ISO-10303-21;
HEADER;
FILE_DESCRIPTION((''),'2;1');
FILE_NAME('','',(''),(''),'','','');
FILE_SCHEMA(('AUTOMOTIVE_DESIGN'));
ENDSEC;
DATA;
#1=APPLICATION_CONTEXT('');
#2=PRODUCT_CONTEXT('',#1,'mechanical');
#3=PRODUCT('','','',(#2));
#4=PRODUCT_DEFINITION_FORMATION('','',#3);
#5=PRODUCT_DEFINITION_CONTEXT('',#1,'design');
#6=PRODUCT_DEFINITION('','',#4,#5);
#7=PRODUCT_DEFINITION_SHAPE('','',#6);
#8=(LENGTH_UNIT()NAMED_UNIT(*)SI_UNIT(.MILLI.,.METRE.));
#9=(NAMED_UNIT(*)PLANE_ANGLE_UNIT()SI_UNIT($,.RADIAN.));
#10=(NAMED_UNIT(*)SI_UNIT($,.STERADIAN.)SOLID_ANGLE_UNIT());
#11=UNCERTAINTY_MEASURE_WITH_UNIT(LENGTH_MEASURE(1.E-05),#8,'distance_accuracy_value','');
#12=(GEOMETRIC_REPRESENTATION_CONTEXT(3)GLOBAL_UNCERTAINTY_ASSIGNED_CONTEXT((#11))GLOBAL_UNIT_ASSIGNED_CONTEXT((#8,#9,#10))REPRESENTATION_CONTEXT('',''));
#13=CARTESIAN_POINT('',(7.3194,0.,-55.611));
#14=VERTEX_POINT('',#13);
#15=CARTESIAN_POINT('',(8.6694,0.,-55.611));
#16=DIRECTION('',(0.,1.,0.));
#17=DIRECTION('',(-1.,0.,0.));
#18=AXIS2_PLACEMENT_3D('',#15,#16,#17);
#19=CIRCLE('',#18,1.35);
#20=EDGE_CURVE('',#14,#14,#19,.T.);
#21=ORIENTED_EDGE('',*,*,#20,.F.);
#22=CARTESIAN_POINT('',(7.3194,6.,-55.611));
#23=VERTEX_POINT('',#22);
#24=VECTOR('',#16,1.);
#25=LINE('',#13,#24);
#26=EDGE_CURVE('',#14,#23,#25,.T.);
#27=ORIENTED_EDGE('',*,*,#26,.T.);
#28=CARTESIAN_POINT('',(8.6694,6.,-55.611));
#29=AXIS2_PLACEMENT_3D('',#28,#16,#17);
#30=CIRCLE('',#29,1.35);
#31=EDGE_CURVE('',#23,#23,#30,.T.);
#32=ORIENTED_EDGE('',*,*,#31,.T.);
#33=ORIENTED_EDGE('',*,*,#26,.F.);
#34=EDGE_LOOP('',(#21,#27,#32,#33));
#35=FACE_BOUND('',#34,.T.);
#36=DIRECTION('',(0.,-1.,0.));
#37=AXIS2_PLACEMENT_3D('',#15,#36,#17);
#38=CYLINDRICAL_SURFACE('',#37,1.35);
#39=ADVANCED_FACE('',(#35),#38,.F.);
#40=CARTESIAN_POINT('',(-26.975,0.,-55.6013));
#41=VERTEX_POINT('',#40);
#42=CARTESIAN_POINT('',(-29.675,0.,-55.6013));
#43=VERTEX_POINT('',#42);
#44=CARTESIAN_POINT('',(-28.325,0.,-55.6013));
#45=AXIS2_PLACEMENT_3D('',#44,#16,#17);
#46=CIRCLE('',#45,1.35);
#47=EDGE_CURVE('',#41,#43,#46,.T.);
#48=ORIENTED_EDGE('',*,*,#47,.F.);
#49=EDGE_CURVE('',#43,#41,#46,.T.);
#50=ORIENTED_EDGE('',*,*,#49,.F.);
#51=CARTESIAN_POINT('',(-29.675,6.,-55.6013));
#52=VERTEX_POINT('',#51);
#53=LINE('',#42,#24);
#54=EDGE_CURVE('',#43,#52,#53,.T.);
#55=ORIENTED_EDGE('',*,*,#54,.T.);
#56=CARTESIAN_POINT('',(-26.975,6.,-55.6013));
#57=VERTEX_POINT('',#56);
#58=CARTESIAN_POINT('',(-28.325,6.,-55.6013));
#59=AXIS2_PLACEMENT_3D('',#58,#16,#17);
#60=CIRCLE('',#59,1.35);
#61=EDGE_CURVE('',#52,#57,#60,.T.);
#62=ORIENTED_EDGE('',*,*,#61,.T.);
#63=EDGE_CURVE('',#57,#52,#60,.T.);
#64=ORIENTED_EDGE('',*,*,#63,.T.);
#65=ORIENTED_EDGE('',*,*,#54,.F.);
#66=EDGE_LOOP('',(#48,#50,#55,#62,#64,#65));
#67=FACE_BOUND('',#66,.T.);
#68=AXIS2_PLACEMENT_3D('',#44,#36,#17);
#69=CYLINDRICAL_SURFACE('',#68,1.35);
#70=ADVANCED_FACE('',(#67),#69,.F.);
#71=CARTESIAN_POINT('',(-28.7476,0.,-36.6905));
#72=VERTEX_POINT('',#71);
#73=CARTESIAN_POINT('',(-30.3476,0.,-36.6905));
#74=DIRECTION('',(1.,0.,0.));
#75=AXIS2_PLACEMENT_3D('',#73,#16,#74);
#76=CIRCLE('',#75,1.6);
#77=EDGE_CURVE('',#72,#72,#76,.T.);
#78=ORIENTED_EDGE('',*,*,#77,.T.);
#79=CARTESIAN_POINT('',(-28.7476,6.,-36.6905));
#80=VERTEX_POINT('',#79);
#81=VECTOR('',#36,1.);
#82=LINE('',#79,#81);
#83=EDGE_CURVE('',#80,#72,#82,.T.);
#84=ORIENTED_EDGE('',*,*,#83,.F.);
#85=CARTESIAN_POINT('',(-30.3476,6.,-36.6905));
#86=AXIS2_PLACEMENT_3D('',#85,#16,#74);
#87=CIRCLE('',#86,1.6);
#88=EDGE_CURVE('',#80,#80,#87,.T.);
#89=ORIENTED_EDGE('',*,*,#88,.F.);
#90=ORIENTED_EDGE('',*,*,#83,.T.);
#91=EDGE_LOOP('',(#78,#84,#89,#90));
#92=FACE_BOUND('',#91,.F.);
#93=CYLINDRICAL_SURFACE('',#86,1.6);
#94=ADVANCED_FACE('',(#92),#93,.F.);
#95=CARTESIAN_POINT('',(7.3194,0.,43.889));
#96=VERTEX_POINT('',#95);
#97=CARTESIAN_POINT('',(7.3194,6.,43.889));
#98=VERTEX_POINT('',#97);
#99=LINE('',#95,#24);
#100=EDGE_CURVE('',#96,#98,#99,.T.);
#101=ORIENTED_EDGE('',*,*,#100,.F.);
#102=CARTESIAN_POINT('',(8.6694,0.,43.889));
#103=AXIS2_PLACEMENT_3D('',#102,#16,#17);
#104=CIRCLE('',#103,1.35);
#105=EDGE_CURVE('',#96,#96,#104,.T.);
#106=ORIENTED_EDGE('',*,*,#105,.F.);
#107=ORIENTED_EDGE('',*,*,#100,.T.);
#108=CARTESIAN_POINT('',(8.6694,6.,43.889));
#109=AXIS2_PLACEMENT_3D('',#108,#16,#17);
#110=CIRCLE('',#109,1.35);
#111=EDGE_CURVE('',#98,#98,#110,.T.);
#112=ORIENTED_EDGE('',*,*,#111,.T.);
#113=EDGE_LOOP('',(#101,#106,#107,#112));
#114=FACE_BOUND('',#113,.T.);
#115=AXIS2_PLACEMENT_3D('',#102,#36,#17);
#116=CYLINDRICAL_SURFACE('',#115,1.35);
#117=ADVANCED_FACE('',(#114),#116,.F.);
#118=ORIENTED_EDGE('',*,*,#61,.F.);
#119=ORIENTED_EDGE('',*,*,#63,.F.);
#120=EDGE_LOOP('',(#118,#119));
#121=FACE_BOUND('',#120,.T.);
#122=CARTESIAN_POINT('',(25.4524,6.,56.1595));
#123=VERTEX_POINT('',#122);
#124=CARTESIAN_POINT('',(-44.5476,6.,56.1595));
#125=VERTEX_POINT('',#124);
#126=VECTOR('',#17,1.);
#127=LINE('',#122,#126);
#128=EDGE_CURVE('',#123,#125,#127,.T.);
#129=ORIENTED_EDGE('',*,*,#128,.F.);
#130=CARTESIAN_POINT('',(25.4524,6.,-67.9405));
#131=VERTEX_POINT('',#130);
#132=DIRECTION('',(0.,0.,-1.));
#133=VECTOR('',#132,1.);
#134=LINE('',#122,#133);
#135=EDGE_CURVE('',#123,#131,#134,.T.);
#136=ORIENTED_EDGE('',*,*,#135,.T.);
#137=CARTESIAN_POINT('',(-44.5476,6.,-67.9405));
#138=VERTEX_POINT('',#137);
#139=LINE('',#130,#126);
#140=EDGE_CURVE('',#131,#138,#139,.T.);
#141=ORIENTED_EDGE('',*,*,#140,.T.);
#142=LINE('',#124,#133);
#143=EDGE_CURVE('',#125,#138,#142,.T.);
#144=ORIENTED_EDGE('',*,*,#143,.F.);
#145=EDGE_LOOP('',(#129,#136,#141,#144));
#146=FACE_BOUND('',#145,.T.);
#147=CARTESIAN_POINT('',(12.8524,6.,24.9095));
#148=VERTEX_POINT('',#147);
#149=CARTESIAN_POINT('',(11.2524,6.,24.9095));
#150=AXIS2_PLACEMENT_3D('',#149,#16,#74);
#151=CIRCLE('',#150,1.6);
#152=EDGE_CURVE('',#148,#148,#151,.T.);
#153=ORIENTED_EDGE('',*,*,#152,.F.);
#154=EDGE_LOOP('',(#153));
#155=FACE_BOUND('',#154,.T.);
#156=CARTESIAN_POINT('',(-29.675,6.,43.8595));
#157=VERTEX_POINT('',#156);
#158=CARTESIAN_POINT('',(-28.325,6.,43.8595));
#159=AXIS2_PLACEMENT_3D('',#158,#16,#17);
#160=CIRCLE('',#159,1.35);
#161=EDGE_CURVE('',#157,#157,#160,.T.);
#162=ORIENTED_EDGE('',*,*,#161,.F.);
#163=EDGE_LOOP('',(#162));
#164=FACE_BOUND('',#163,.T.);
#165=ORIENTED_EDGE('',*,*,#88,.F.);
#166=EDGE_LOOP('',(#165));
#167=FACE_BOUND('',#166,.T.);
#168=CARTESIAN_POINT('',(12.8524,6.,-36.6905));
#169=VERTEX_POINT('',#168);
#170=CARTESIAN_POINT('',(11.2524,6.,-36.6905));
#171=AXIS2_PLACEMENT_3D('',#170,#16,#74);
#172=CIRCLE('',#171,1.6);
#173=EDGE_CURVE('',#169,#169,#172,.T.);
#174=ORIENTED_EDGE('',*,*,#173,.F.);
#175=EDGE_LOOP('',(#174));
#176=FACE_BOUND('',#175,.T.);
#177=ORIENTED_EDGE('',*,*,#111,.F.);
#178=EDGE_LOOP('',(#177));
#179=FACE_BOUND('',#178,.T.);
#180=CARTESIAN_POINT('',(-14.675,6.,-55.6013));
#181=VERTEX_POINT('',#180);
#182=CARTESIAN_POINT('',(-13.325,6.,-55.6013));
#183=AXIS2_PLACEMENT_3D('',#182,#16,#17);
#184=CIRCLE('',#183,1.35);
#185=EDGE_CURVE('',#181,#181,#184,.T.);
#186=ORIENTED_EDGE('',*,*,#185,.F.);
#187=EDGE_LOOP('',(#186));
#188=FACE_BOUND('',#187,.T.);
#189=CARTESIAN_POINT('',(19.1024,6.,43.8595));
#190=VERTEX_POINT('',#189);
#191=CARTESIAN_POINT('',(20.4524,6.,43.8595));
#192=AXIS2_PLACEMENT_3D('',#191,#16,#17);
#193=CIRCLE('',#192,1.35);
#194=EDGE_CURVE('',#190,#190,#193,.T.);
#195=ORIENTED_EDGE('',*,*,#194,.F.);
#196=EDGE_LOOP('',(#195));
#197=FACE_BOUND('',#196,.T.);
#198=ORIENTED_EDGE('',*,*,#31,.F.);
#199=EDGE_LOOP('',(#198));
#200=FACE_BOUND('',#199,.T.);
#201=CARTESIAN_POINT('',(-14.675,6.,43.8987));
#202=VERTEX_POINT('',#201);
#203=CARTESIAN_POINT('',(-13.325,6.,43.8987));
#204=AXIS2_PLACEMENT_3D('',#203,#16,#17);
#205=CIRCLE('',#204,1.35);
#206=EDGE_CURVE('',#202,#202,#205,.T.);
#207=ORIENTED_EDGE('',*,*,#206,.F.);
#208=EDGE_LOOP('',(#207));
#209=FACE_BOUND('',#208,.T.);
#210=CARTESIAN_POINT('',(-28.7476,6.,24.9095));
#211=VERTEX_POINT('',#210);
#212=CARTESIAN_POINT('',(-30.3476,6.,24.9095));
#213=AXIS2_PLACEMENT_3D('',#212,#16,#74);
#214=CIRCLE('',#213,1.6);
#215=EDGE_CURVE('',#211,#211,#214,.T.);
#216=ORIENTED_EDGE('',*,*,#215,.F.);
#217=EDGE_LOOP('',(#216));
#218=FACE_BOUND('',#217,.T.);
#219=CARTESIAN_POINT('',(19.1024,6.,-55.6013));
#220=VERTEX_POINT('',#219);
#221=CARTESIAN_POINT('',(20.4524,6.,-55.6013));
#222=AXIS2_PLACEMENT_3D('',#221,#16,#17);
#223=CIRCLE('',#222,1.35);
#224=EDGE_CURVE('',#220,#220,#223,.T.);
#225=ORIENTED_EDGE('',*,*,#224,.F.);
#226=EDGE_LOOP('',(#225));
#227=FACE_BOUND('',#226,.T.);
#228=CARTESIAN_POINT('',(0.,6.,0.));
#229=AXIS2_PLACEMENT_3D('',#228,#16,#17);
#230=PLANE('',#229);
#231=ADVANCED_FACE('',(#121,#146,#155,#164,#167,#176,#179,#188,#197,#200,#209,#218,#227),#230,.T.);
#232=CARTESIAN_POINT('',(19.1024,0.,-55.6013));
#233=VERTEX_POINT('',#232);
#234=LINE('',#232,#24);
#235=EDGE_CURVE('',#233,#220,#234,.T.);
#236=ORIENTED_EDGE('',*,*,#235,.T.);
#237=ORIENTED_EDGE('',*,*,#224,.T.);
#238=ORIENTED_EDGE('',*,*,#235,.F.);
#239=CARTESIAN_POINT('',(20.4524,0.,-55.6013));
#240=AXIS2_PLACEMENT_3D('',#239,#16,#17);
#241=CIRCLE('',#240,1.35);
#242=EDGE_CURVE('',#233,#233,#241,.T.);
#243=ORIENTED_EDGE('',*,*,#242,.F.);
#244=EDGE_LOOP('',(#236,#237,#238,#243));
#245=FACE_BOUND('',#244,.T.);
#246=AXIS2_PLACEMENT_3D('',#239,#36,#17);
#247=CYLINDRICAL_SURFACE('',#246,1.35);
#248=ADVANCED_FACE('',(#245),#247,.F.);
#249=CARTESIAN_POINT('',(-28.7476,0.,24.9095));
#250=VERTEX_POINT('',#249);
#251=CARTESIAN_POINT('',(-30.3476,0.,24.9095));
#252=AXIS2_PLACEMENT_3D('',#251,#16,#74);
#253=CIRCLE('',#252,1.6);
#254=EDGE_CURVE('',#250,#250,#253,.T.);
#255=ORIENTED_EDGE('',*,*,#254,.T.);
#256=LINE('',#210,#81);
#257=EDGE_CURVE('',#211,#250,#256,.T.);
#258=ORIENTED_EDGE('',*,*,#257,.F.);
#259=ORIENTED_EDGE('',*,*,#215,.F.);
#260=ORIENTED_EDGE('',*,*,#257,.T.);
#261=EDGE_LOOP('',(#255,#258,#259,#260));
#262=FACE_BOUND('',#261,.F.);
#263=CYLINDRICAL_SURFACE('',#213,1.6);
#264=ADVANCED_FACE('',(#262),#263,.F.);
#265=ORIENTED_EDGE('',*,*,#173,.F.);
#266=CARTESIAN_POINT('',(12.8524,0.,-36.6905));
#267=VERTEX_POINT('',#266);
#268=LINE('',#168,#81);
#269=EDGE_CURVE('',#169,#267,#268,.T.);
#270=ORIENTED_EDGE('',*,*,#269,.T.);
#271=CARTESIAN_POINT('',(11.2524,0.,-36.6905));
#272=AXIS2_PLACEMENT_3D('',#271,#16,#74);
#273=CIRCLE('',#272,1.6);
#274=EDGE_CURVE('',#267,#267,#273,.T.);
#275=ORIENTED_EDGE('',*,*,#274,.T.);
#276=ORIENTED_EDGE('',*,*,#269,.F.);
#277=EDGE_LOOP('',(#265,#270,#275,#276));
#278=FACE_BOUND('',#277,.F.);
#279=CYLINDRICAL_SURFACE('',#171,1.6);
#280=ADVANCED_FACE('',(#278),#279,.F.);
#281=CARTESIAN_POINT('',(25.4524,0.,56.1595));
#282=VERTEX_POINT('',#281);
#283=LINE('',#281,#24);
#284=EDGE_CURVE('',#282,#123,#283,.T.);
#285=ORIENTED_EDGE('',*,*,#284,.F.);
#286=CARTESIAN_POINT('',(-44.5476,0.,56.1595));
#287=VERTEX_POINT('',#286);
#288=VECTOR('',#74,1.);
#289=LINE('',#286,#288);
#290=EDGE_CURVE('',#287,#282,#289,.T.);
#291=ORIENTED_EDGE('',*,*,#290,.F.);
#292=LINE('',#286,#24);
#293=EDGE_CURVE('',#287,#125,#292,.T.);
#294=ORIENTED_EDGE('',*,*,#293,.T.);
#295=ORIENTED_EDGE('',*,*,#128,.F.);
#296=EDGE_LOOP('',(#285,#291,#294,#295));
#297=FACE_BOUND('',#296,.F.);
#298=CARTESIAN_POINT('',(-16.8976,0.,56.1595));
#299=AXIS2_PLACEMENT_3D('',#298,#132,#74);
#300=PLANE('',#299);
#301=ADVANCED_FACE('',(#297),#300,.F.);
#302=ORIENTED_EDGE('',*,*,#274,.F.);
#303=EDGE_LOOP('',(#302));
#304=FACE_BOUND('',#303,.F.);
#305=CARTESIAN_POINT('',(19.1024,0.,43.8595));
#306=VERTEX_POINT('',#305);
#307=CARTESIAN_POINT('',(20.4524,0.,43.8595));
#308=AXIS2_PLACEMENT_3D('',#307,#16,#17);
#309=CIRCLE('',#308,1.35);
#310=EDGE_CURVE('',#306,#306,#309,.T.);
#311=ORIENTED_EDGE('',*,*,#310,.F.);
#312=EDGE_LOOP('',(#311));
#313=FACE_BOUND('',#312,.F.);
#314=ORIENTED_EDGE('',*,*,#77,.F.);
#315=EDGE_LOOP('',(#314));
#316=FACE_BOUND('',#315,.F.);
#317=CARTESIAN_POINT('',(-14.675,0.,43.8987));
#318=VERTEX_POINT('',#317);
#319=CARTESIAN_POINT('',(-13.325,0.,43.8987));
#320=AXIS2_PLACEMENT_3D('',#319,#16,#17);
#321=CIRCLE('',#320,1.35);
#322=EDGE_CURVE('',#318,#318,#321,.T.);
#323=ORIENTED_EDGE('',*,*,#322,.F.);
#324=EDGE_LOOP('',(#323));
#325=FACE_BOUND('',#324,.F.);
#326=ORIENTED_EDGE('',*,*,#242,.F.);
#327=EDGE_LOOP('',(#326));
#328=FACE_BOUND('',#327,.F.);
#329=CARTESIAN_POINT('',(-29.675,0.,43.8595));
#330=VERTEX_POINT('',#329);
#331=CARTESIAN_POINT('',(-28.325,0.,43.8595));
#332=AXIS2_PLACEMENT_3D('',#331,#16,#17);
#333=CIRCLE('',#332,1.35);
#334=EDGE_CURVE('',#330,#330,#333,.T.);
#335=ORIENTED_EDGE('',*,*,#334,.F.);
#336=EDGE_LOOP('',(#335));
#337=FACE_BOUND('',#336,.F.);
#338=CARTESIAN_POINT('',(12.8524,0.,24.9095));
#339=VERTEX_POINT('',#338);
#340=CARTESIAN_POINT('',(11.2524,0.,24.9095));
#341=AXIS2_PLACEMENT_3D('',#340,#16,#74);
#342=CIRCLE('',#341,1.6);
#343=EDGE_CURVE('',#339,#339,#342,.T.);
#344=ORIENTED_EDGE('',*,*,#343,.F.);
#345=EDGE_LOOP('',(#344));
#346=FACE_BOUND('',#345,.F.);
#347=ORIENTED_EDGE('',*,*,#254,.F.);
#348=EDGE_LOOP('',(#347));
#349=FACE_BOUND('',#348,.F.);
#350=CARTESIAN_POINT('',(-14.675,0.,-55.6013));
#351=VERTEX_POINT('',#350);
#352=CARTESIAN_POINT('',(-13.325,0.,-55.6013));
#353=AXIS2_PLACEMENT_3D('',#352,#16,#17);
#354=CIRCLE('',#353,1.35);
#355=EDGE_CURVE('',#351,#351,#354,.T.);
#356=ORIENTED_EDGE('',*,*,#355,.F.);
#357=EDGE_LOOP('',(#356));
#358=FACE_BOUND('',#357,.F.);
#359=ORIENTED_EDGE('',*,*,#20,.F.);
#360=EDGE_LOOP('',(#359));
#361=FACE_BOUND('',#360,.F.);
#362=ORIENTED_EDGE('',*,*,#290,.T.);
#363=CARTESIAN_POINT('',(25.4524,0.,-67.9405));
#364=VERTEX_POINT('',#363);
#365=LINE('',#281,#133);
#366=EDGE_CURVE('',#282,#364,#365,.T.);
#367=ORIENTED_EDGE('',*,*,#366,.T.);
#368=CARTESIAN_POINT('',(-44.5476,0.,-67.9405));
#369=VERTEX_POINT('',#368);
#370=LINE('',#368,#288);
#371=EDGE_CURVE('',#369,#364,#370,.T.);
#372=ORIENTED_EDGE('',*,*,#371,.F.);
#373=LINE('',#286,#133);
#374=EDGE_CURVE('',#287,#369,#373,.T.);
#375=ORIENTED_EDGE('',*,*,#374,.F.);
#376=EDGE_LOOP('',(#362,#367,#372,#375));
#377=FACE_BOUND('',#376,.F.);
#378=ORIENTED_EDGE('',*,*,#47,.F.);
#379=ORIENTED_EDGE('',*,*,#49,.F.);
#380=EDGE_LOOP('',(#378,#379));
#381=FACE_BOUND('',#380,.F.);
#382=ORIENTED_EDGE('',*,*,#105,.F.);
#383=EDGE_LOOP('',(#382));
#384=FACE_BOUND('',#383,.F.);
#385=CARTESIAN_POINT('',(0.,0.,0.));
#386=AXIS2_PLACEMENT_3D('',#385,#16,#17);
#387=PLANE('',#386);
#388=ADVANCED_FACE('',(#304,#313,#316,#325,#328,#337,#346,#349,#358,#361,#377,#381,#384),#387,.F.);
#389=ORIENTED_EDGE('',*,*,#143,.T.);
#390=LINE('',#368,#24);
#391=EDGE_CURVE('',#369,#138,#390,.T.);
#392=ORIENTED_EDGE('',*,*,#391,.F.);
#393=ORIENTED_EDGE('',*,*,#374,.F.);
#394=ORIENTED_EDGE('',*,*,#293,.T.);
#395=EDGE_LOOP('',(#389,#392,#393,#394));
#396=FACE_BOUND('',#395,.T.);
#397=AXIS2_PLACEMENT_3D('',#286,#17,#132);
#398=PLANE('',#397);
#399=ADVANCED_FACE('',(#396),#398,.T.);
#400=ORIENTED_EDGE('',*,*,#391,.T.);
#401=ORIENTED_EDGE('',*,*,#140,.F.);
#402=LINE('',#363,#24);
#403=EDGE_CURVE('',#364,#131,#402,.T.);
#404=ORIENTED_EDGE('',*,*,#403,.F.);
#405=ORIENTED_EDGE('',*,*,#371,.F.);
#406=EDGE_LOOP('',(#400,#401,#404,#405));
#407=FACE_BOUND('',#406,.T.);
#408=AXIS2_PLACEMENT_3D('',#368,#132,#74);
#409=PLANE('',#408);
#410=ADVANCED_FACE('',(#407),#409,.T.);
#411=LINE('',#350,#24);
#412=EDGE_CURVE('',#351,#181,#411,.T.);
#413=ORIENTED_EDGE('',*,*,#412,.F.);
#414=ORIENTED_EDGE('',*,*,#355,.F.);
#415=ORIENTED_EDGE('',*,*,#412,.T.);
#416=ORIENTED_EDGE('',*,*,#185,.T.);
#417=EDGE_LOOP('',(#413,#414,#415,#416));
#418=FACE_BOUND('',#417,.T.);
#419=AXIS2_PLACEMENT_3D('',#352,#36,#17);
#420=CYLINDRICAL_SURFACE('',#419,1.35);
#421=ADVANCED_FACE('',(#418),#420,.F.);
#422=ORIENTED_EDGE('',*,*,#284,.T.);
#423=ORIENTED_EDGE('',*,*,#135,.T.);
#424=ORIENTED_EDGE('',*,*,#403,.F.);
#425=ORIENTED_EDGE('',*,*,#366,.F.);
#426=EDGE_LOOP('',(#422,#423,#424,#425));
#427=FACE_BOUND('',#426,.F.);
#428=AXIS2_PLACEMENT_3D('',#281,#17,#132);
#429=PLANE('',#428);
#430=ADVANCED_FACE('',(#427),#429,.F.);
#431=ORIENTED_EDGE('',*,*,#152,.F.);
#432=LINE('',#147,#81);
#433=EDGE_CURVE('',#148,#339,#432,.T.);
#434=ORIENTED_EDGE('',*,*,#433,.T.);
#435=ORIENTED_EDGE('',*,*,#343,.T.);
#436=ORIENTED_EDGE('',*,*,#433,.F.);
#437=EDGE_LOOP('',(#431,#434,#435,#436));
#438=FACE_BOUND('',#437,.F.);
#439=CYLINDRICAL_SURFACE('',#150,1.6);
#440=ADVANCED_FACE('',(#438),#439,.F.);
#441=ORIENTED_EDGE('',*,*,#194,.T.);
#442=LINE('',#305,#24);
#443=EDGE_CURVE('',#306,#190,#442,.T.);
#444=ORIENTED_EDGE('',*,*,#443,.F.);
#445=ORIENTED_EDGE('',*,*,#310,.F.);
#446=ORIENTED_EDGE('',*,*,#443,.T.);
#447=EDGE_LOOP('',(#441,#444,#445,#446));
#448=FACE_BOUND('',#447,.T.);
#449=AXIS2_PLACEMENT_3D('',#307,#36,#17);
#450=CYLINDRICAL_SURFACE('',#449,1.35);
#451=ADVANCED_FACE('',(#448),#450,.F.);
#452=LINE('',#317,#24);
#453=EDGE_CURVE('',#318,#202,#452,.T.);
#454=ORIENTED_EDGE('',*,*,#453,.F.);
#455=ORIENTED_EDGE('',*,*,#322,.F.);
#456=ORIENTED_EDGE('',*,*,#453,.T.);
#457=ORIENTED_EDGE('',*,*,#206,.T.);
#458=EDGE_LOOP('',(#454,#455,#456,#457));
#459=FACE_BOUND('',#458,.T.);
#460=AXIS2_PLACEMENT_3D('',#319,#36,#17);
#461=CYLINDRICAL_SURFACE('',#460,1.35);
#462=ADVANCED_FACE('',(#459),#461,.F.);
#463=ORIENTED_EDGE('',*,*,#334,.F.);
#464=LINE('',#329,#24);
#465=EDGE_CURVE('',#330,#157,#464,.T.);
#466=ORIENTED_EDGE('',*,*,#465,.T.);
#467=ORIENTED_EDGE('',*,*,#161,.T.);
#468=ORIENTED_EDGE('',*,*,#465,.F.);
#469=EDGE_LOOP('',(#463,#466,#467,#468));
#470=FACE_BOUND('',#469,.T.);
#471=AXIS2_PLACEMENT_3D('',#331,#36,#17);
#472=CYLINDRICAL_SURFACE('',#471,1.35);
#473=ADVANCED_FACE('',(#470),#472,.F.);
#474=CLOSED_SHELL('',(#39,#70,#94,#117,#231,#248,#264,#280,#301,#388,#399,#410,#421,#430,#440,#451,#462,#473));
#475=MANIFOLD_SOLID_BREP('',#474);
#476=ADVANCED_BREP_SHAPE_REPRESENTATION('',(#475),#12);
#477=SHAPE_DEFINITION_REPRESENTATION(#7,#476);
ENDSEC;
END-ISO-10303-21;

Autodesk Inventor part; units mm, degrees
ref_plane "YZ Plane" through (0, 0, 0) normal (1, 0, 0) x (0, 1, 0)
ref_plane "XZ Plane" through (0, 0, 0) normal (0, 1, 0) x (-1, 0, 0)
ref_plane "XY Plane" through (0, 0, 0) normal (0, 0, 1) x (1, 0, 0)
sketch "스케치1" plane through (0, 0, 0) normal (0, 1, 0) x (-1, 0, 0)
  circle A0 centre (-8.6694, 43.889) radius 1.35
  circle A1 centre (13.325, 43.8987) radius 1.35
  line L0 (16.8976, 56.1595) -> (-15.4524, 56.1595)
  line L1 (-15.4524, 56.1595) -> (-15.4524, 31.5595)
  line L2 (-15.4524, 31.5595) -> (16.8976, 31.5595)
  line L3 (16.8976, 31.5595) -> (16.8976, 56.1595)
  circle A2 centre (-8.6694, -55.611) radius 1.35
  circle A3 centre (13.325, -55.6013) radius 1.35
  line L4 (16.8976, -43.3405) -> (-15.4524, -43.3405)
  line L5 (-15.4524, -43.3405) -> (-15.4524, -67.9405)
  line L6 (-15.4524, -67.9405) -> (16.8976, -67.9405)
  line L7 (16.8976, -67.9405) -> (16.8976, -43.3405)
  line L8 (-15.4524, 56.1595) -> (44.5476, 56.1595)
  line L9 (44.5476, 56.1595) -> (44.5476, -67.9405)
  line L10 (44.5476, -67.9405) -> (-15.4524, -67.9405)
  line L11 (-15.4524, -67.9405) -> (-15.4524, 56.1595)
  line L12 (-15.4524, 56.1595) -> (-25.4524, 56.1595)
  line L13 (-25.4524, 56.1595) -> (-25.4524, -67.9405)
  line L14 (-25.4524, -67.9405) -> (-15.4524, -67.9405)
  line L15 (-15.4524, -67.9405) -> (-15.4524, 56.1595)
  line L16 (13.325, -55.6013) -> (28.325, -55.6013)
  circle A4 centre (28.325, -55.6013) radius 1.35
  circle A5 centre (28.325, 43.8595) radius 1.35
  circle A6 centre (-20.4524, -55.6013) radius 1.35
  circle A7 centre (-20.4524, 43.8595) radius 1.35
  point P0 (0, 0)
  point P1 (0.7226, 43.8595)
  point P2 (16.8976, -67.9405)
  dimension "d0" = 60
  dimension "d3" = 10
  dimension "d4" = 15
  dimension "d5" = 2.7
  dimension "d6" = 2.7
  dimension "d13" = 2.7
  dimension "d14" = 2.7
extrude "돌출1" add sketch "스케치1" along normal blind 6
sketch "스케치3" plane through (0, 6, 0) normal (0, 1, 0) x (1, 0, 0)
  line L0 (15.4524, 40.8905) -> (15.4524, -29.1095)
  line L1 (-34.5476, 40.8905) -> (15.4524, 40.8905)
  line L2 (-34.5476, -29.1095) -> (-34.5476, 40.8905)
  line L3 (15.4524, -29.1095) -> (-34.5476, -29.1095)
  line L4 (-44.5476, 67.9405) -> (-44.5476, -56.1595) projected
  line L5 (-44.5476, -56.1595) -> (25.4524, -56.1595) projected
  line L6 (25.4524, -56.1595) -> (25.4524, 67.9405) projected
  line L7 (25.4524, 67.9405) -> (-44.5476, 67.9405) projected
  circle A0 centre (-28.325, 55.6013) radius 1.35 projected
  circle A1 centre (-28.325, -43.8595) radius 1.35 projected
  circle A2 centre (8.6694, 55.611) radius 1.35 projected
  circle A3 centre (20.4524, -43.8595) radius 1.35 projected
  circle A4 centre (20.4524, 55.6013) radius 1.35 projected
  circle A5 centre (-13.325, 55.6013) radius 1.35 projected
  circle A6 centre (-13.325, -43.8987) radius 1.35 projected
  circle A7 centre (8.6694, -43.889) radius 1.35 projected
  circle A8 centre (11.2524, -24.9095) radius 1.6
  circle A9 centre (-30.3476, -24.9095) radius 1.6
  circle A10 centre (-30.3476, 36.6905) radius 1.6
  circle A11 centre (11.2524, 36.6905) radius 1.6
  point P0 (0, 0)
  dimension "d15" = 3.2
  dimension "d16" = 3.2
  dimension "d17" = 3.2
  dimension "d18" = 3.2
extrude "돌출2" cut sketch "스케치3" against normal blind 10 contours A8 | A9 | A10 | A11
properties part number "frame_head1" material "PMMA 플라스틱"
